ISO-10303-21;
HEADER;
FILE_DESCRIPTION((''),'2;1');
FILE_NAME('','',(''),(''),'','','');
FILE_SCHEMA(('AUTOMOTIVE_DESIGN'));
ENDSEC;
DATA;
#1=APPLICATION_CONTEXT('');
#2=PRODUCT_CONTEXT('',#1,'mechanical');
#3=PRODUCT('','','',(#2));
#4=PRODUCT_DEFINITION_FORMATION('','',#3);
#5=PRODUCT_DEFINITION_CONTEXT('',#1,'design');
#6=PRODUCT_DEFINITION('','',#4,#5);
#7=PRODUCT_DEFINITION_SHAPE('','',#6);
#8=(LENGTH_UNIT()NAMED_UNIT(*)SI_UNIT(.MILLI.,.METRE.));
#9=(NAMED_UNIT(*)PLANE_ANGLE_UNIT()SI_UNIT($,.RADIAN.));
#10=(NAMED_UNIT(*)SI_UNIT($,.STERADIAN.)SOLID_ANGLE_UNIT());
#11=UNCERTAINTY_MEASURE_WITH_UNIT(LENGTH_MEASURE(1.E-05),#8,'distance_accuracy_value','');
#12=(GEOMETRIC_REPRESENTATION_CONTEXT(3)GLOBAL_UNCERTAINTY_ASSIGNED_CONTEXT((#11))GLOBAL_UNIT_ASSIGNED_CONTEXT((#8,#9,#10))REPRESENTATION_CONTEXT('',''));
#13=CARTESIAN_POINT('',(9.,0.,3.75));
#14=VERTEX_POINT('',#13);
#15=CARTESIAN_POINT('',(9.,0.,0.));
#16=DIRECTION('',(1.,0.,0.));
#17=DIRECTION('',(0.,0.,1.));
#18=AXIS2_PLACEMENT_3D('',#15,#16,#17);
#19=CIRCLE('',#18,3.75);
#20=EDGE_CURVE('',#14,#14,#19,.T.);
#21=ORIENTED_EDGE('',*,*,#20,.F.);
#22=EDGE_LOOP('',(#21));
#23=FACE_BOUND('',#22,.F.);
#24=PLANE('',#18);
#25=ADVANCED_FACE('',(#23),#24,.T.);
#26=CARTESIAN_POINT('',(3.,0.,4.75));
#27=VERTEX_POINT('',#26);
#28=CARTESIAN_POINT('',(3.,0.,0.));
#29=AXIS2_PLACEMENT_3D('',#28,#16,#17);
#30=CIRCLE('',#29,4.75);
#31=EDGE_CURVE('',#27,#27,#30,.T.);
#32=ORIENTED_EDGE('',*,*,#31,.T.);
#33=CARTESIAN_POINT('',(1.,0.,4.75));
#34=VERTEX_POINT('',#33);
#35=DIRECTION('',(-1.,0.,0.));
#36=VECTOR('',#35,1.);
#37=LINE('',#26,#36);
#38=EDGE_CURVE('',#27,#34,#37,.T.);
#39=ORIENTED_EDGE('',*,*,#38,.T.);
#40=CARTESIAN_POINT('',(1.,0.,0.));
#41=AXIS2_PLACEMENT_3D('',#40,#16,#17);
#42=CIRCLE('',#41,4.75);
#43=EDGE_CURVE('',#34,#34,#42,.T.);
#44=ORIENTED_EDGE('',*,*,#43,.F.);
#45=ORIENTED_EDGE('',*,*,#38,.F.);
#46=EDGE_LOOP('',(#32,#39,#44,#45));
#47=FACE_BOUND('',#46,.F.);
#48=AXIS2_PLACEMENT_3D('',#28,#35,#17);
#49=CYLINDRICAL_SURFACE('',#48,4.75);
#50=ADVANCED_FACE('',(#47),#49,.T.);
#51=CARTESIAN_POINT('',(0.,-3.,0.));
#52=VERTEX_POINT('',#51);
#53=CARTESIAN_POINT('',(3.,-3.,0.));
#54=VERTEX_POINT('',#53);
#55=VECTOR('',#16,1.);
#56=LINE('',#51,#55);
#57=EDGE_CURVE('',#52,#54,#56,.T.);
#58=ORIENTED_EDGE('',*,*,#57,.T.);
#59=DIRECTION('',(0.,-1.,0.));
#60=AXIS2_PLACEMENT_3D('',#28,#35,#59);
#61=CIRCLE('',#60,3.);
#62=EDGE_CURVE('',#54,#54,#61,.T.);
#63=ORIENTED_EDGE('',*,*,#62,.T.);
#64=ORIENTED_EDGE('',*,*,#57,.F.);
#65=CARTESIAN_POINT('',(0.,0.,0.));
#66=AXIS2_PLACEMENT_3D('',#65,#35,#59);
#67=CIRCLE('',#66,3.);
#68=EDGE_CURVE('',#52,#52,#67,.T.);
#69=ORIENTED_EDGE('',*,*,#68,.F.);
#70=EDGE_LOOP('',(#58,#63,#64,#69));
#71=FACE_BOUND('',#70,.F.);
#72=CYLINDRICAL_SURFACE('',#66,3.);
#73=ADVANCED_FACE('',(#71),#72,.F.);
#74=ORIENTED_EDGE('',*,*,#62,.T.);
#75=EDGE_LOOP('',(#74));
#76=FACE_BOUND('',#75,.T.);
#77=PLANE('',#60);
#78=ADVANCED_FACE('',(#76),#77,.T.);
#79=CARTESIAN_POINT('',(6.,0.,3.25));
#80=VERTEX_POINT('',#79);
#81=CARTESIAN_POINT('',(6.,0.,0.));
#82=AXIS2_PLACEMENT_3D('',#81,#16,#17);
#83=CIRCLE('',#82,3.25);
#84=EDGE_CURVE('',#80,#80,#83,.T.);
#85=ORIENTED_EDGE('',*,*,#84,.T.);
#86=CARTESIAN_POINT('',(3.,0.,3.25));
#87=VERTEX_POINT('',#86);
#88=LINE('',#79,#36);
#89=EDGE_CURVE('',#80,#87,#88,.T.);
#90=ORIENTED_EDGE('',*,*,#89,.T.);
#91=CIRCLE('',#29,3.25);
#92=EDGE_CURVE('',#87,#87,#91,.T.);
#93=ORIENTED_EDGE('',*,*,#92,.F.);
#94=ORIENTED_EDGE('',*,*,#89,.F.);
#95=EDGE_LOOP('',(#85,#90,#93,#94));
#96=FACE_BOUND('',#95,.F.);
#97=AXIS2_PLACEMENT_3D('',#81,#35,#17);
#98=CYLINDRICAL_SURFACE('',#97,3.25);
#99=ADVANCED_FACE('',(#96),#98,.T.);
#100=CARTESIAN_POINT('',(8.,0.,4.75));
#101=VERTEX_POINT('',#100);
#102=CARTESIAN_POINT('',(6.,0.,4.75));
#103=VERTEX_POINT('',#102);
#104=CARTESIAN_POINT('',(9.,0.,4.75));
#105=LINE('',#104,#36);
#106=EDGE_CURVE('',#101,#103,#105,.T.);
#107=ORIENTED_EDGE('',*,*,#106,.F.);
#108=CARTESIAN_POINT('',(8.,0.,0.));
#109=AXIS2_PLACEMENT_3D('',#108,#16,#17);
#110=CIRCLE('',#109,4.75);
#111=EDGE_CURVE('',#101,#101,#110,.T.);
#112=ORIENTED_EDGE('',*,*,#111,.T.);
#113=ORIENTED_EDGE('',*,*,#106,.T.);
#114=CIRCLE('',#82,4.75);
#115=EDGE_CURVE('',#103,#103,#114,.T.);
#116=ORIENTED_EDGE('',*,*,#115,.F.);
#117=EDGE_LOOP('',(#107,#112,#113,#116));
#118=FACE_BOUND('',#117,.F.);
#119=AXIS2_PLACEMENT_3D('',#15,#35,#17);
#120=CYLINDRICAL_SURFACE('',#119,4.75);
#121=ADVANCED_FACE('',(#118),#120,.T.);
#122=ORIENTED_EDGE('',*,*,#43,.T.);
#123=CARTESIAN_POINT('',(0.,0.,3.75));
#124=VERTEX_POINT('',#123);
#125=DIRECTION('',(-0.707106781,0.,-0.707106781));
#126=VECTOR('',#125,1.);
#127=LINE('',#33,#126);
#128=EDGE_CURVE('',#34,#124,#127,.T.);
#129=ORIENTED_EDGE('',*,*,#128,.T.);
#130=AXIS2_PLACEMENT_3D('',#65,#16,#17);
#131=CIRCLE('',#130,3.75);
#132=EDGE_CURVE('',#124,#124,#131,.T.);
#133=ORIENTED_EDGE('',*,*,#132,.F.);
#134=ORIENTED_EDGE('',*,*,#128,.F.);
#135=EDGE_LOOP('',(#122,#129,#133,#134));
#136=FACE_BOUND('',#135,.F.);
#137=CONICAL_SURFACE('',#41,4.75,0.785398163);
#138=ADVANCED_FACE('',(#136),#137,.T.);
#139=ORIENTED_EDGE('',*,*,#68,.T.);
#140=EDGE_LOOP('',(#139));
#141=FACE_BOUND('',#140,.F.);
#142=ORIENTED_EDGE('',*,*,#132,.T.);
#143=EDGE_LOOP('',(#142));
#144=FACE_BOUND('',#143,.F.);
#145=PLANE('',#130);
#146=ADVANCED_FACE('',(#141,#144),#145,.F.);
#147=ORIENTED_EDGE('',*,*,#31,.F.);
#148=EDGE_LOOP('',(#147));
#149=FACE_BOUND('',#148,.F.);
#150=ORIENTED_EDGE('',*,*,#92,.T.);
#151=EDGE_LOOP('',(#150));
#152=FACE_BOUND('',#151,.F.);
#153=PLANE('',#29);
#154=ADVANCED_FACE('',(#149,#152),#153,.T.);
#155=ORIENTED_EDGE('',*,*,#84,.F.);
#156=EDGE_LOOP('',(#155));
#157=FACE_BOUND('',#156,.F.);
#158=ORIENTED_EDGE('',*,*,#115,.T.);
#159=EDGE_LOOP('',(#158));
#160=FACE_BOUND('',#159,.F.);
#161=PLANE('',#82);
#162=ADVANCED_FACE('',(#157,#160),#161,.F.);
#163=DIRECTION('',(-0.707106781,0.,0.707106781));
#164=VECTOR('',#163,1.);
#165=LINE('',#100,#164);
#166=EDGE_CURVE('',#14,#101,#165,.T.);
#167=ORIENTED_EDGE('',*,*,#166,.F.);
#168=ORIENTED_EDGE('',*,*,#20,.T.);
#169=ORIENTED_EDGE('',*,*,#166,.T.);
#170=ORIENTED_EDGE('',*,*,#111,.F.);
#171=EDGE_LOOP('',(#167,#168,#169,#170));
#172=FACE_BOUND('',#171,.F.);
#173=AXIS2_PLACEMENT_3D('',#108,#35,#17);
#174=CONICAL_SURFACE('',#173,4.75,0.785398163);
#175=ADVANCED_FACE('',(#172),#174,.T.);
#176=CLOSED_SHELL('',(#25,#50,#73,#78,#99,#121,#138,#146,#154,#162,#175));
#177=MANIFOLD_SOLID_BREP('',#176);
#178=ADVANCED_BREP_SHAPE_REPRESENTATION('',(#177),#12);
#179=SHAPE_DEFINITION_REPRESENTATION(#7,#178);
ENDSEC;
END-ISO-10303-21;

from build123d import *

# Parameters (mm, degrees)
F2_SIZE  = 1
F3_R     = 3
F4_DEPTH = 3


with BuildPart() as f1:
    # F0 (on Front) → F1 (revolve)
    with BuildSketch(Plane.XZ):
        Polygon((3, 4.75), (0, 4.75), (0, 0), (9, 0), (9, 4.75), (6, 4.75), (6, 3.25), (3, 3.25), align=None)
    revolve(axis=Axis((4.5, 0, 0), (1, 0, 0)))

    # F2
    f2_edges = [f1.edges().sort_by_distance(p)[0] for p in [
        (0, 0, -4.75),
        (9, 0, -4.75),
    ]]
    chamfer(f2_edges, length=F2_SIZE)

    # F3 (on face) → F4 (cut)
    with BuildSketch(Plane(origin=(0, 0, 0), x_dir=(0, -1, 0), z_dir=(-1, 0, 0))):
        Circle(F3_R)
    extrude(amount=-F4_DEPTH, mode=Mode.SUBTRACT)


solid = f1.part
